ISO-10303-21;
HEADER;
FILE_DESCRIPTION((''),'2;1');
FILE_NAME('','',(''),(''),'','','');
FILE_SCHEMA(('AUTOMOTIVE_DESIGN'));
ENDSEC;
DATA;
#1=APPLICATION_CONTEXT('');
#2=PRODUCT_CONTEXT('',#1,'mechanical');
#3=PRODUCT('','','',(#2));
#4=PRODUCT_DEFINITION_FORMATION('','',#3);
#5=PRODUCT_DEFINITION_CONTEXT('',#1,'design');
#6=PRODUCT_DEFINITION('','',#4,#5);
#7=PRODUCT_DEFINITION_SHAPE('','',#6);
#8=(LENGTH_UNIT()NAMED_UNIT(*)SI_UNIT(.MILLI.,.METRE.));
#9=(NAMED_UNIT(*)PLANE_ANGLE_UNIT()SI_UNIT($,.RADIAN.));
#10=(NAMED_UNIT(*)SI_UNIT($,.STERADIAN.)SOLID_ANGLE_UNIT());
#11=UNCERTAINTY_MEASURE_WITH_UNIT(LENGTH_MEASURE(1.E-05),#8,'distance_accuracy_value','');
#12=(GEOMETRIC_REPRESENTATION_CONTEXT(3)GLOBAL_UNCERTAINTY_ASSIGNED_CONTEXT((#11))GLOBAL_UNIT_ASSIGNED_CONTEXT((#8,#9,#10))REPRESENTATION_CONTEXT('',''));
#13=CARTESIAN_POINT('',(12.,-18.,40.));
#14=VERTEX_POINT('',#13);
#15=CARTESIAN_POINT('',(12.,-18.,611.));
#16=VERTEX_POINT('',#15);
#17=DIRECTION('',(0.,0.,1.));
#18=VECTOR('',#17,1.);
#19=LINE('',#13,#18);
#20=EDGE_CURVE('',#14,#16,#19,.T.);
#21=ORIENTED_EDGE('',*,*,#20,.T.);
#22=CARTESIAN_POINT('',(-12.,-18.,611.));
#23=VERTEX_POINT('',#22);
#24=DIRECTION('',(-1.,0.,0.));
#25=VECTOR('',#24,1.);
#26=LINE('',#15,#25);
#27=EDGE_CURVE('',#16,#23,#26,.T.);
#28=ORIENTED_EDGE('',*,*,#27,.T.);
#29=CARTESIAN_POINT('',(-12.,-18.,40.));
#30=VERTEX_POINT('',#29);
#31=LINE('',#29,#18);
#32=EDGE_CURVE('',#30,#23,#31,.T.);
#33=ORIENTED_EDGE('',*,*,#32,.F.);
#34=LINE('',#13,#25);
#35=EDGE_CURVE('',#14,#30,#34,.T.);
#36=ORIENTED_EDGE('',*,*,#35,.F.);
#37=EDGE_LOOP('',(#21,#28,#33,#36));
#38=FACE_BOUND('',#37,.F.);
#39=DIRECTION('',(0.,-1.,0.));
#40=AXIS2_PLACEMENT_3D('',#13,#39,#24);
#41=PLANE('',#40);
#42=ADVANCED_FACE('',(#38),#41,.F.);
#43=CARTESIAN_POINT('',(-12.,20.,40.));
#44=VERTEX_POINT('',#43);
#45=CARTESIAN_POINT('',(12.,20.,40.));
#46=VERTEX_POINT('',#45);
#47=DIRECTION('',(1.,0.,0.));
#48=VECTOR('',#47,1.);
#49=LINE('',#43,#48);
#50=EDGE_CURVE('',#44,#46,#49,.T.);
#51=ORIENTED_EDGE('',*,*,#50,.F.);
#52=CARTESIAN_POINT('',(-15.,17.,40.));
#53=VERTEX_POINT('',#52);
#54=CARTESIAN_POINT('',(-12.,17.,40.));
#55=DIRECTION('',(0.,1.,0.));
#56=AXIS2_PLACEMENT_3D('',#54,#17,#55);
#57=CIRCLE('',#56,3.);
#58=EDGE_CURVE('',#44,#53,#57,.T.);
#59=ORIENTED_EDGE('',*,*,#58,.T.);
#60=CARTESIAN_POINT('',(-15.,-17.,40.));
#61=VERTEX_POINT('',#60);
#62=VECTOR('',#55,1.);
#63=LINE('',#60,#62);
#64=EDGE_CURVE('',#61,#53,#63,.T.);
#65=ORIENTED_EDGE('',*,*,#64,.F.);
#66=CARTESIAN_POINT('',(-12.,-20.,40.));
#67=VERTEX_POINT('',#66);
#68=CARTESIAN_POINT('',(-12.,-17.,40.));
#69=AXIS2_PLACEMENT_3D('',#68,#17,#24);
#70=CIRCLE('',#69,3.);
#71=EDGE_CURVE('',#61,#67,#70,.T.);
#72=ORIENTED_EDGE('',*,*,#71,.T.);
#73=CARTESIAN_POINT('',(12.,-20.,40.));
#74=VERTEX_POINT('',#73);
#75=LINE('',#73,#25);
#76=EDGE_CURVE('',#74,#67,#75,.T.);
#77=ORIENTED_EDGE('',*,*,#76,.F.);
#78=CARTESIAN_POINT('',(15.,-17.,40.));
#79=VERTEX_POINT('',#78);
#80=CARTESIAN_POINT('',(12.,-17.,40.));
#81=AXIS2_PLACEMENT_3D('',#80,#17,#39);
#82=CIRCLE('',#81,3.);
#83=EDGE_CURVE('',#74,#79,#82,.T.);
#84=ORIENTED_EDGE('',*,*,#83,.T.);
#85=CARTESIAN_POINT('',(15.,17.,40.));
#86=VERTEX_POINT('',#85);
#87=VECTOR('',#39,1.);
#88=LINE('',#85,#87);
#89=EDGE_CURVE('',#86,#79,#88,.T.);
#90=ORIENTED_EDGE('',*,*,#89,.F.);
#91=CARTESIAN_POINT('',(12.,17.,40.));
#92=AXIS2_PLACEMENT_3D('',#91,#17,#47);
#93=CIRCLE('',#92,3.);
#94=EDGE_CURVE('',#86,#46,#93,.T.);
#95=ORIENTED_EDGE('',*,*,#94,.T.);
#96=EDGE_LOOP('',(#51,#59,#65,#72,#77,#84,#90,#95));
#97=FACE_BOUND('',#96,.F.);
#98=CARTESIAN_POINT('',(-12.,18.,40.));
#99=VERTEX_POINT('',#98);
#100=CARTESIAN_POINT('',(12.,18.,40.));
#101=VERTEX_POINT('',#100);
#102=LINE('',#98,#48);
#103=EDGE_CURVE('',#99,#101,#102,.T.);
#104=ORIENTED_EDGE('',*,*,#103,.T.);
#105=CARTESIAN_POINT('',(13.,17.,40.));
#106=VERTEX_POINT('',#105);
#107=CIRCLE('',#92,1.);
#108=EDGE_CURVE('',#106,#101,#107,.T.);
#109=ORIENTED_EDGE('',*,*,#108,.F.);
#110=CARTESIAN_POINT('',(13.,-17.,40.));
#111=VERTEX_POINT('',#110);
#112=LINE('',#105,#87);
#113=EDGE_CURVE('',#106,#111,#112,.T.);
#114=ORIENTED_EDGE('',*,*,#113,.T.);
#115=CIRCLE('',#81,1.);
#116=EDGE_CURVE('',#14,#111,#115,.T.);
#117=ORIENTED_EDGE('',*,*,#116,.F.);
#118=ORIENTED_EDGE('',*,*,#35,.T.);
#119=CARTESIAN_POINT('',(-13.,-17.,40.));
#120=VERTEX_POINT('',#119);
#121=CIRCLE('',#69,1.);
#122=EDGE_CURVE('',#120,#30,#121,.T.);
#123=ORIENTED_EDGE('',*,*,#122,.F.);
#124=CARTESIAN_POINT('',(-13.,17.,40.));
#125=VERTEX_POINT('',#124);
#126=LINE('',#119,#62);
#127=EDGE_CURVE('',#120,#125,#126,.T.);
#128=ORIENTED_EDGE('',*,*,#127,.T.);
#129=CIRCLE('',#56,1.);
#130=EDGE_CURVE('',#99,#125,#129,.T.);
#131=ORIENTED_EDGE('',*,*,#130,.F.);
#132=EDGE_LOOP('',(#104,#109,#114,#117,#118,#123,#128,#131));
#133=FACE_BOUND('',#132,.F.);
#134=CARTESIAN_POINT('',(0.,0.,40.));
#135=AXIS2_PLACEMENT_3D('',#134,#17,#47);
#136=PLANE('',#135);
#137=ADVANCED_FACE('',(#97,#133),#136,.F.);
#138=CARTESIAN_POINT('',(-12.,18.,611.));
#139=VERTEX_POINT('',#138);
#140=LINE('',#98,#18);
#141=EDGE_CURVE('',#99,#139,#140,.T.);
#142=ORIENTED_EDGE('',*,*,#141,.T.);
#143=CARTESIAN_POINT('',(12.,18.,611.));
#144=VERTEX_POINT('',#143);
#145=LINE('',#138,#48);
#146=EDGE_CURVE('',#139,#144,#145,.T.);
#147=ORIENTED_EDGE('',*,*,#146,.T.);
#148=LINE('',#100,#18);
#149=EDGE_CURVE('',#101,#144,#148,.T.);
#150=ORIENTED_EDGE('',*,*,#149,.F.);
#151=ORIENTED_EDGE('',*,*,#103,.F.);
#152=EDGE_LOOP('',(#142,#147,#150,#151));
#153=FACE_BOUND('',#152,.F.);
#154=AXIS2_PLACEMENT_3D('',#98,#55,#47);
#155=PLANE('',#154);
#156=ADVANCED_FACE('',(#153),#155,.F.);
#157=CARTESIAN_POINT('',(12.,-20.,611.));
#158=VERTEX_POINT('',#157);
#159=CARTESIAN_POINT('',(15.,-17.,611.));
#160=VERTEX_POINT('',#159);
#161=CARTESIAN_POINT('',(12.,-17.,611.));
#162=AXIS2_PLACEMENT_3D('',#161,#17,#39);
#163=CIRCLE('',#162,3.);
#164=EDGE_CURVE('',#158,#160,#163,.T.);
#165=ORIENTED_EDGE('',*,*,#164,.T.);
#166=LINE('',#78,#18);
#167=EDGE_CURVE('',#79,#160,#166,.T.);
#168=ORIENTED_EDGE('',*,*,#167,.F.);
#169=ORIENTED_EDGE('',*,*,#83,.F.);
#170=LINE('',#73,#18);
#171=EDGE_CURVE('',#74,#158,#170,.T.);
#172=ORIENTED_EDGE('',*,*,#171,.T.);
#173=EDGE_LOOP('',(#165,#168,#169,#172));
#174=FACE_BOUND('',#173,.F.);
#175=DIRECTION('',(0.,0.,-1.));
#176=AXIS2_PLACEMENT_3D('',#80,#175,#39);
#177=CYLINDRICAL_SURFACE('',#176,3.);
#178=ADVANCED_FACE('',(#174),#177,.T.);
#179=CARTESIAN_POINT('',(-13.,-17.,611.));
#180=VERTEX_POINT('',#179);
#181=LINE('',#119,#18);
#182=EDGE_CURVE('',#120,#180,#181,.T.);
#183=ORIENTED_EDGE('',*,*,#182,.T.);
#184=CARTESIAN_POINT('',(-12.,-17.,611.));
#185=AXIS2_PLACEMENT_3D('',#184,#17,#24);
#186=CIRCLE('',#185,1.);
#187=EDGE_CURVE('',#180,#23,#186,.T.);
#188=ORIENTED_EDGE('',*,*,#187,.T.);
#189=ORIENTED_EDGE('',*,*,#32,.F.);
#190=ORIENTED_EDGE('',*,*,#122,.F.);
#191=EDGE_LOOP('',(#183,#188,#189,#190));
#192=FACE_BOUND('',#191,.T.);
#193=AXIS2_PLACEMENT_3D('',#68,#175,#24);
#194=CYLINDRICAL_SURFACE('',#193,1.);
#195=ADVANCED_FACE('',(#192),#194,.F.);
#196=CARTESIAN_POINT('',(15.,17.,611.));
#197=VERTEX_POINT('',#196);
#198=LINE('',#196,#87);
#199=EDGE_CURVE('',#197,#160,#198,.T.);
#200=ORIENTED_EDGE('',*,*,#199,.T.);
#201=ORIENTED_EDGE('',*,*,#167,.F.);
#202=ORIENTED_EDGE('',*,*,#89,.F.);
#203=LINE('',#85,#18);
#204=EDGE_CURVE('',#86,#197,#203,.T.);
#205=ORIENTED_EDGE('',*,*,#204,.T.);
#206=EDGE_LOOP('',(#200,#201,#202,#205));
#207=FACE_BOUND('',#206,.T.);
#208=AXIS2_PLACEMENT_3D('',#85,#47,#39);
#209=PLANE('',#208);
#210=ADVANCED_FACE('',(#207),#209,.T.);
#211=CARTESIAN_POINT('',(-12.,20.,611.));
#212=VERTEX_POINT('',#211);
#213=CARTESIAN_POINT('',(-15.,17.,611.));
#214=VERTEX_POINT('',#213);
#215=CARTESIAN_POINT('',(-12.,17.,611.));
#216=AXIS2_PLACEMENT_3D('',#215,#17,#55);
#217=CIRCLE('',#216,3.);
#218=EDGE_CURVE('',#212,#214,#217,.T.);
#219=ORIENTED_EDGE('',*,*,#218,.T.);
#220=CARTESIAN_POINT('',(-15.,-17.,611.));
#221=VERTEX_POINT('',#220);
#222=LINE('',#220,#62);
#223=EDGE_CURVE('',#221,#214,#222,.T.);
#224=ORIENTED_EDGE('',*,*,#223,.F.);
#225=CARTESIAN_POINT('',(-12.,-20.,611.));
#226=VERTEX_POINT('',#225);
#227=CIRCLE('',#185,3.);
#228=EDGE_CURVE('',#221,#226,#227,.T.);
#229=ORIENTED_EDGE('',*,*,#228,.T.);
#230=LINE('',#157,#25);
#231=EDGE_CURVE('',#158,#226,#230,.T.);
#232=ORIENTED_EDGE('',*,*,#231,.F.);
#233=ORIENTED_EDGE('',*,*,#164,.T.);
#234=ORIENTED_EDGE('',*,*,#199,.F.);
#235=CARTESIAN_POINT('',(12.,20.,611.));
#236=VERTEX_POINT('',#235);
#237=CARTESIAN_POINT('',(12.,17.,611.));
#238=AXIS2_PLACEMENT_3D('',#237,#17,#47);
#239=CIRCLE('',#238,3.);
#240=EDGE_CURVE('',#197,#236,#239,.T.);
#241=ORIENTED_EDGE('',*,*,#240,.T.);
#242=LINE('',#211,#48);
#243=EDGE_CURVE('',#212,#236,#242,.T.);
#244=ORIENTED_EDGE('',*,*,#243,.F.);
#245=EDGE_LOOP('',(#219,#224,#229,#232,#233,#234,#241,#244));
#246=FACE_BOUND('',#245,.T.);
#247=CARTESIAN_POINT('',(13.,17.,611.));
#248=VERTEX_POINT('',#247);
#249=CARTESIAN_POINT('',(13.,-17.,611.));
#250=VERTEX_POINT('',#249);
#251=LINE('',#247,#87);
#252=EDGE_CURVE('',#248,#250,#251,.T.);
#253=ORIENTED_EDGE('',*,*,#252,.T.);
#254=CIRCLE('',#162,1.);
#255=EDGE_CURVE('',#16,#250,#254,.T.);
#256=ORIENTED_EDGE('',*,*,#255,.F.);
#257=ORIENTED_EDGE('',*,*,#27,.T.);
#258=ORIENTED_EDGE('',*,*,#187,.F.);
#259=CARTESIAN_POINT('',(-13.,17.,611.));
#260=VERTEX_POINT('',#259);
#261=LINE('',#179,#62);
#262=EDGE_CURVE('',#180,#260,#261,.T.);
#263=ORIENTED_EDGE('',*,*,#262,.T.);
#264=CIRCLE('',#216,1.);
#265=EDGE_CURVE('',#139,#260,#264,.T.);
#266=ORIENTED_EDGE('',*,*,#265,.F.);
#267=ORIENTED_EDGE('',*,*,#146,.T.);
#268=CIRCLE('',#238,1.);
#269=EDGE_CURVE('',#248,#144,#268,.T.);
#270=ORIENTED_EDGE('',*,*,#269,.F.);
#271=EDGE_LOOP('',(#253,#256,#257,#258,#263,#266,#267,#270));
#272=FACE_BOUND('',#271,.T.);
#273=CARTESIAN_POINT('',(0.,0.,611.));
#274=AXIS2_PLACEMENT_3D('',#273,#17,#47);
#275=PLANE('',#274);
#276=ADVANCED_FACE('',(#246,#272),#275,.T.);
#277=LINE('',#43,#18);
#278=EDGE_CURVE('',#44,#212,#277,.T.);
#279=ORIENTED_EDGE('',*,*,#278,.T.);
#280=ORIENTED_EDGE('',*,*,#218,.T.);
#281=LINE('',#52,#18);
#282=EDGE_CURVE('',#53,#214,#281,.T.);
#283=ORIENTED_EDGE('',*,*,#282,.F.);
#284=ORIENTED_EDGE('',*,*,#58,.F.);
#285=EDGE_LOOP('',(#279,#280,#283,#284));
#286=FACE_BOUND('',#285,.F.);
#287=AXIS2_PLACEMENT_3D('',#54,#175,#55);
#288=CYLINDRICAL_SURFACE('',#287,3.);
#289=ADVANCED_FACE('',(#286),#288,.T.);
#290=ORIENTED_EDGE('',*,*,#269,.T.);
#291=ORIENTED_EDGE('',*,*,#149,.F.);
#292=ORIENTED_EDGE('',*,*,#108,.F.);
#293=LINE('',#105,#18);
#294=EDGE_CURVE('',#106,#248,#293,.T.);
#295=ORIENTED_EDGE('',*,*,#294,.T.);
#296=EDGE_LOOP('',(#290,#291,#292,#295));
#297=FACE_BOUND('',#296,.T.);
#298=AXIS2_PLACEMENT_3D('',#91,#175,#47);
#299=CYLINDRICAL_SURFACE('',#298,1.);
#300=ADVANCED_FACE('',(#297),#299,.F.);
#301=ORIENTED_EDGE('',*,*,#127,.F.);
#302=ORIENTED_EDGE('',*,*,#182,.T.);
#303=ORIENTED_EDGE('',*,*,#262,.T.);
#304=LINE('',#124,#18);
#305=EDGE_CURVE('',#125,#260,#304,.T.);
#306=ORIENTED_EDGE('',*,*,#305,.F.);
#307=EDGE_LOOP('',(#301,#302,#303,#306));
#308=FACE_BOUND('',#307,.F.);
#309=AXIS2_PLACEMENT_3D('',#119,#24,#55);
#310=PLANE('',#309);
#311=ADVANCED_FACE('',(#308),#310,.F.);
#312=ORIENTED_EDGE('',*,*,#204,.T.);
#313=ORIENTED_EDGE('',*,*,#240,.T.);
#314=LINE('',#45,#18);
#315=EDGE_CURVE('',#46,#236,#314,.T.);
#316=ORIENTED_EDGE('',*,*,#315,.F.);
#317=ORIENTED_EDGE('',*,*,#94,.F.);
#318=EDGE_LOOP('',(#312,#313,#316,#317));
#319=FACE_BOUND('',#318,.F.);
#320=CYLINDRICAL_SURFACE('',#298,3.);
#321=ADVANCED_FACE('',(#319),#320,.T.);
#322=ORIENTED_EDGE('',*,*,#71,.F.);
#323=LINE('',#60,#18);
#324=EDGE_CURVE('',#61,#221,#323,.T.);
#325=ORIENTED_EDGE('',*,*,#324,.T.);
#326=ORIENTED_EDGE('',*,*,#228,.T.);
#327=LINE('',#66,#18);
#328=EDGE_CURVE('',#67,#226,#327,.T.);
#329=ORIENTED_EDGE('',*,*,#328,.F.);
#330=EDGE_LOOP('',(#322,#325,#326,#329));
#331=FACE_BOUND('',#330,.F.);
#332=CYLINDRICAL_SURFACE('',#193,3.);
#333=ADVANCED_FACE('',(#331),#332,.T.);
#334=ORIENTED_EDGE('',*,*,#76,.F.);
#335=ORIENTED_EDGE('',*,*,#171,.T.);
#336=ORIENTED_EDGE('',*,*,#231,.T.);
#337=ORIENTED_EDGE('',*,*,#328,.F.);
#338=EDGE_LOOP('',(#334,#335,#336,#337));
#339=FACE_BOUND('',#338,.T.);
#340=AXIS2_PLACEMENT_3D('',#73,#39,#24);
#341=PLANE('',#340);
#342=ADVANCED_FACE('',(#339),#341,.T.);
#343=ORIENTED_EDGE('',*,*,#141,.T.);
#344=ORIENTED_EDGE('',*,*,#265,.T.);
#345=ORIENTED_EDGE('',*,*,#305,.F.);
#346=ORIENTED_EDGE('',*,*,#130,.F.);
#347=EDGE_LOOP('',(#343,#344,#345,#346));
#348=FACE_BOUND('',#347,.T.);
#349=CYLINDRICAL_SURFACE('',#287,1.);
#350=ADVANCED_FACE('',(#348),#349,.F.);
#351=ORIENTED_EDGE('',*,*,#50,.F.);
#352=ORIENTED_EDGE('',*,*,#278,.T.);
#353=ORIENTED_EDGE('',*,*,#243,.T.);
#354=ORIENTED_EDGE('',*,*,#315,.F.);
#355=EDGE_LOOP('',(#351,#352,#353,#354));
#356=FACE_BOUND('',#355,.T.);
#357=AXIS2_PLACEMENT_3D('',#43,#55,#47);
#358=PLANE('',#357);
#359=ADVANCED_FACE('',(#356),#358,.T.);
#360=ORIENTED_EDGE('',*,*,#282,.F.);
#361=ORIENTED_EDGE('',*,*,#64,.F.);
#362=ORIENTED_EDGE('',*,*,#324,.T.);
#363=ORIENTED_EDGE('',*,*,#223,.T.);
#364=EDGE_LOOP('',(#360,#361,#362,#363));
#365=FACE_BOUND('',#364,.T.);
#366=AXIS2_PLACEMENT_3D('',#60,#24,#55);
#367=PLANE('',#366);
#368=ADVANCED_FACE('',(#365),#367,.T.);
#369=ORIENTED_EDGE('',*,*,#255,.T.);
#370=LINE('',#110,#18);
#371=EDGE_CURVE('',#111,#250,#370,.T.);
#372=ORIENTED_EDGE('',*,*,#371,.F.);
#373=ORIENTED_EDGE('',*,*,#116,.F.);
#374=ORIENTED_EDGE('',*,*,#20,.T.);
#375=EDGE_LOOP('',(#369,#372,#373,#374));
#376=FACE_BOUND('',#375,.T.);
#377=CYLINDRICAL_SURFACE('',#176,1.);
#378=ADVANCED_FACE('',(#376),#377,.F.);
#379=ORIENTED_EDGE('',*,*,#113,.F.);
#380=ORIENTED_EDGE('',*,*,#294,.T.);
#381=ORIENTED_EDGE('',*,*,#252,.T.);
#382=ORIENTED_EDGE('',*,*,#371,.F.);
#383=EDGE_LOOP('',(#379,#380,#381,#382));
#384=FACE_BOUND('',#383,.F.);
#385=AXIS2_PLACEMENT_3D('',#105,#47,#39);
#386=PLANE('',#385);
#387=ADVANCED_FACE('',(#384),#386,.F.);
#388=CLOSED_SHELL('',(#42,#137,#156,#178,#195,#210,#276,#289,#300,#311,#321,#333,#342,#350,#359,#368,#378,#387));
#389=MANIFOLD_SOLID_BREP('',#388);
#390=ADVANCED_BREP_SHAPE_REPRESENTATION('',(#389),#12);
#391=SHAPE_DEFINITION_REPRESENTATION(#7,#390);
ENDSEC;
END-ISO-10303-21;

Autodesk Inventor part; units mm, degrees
ref_plane "Start plane" through (0, 0, 40) normal (0, 0, 1) x (1, 0, 0)
ref_plane "End plane" through (0, 0, 611) normal (0, 0, 1) x (1, 0, 0)
sketch "Sketch" plane through (0, 0, 0) normal (0, 0, 1) x (1, 0, 0)
  line L0 (-15, -17) -> (-15, 17)
  line L1 (-12, 20) -> (12, 20)
  line L2 (15, 17) -> (15, -17)
  line L3 (12, -20) -> (-12, -20)
  arc A0 (-15, -17) -> (-12, -20) centre (-12, -17) ccw
  arc A1 (-12, 20) -> (-15, 17) centre (-12, 17) ccw
  arc A2 (15, 17) -> (12, 20) centre (12, 17) ccw
  arc A3 (12, -20) -> (15, -17) centre (12, -17) ccw
  arc A4 (-12, 18) -> (-13, 17) centre (-12, 17) ccw
  line L4 (-12, 18) -> (12, 18)
  arc A5 (13, 17) -> (12, 18) centre (12, 17) ccw
  line L5 (13, 17) -> (13, -17)
  arc A6 (12, -18) -> (13, -17) centre (12, -17) ccw
  line L6 (12, -18) -> (-12, -18)
  arc A7 (-13, -17) -> (-12, -18) centre (-12, -17) ccw
  line L7 (-13, -17) -> (-13, 17)
  line L8 (0, 28.8698) -> (0, -28.8698) construction
  line L9 (-14.8698, 0) -> (14.8698, 0) construction
  dimension "d7" = 3
  dimension "d10" = 40
  dimension "d11" = 30
  dimension "d12" = 2
  dimension "d15" = 20
  dimension "d16" = 15
extrude "Body" add sketch "Sketch" along normal up to surface (571 mm away) from surface at 40
sketch "Sketch3" plane through (0, 0, 0) normal (0, 0, 1) x (1, 0, 0)
  line L0 (0, 0) -> (10, 0)
ref_plane "Work Plane3" through (0, 0, 0) normal (0, -1, 0) x (1, 0, 0)
sketch "Sketch4" plane through (0, 0, 0) normal (0, -1, 0) x (1, 0, 0)
  line L0 (-2, 40) -> (12, 40)
  line L1 (-2, 611) -> (12, 611)
  dimension "d18" = 571
ref_plane "Work Plane4" through (37, -580, 40) normal (0, 0, -1) x (-1, 0, 0)
split "Split1" plane through (37, -580, 40) removes the side toward (0, 0, -1)
ref_plane "Work Plane5" through (-7, -600, 611) normal (0, 0, 1) x (1, 0, 0)
split "Split2" plane through (-7, -600, 611) removes the side toward (0, 0, 1)
equation "\"d7\" = G_IR"
equation "\"d10\" = G_H"
equation "\"d11\" = G_W"
equation "\"d12\" = G_T"
equation "\"d15\" = 0.5 * d10"
equation "\"d16\" = 0.5 * d11"
equation "\"d3\" = G_L"
equation "\"G_W\" = 30"
equation "\"G_H\" = 40"
equation "\"G_T\" = 2"
equation "\"G_IR\" = 3"
equation "\"G_L\" = d18"
equation "\"G_OFFSET_START\" = -40"
equation "\"G_OFFSET_END\" = -40"
equation "\"d13\" = -G_OFFSET_START"
equation "\"d14\" = G_OFFSET_END + B_L"
equation "\"B_L\" = 651"
properties part number "UNI EN 10305-5 - 40 x 30 x 2  - 571" material "Steel, Mild"
